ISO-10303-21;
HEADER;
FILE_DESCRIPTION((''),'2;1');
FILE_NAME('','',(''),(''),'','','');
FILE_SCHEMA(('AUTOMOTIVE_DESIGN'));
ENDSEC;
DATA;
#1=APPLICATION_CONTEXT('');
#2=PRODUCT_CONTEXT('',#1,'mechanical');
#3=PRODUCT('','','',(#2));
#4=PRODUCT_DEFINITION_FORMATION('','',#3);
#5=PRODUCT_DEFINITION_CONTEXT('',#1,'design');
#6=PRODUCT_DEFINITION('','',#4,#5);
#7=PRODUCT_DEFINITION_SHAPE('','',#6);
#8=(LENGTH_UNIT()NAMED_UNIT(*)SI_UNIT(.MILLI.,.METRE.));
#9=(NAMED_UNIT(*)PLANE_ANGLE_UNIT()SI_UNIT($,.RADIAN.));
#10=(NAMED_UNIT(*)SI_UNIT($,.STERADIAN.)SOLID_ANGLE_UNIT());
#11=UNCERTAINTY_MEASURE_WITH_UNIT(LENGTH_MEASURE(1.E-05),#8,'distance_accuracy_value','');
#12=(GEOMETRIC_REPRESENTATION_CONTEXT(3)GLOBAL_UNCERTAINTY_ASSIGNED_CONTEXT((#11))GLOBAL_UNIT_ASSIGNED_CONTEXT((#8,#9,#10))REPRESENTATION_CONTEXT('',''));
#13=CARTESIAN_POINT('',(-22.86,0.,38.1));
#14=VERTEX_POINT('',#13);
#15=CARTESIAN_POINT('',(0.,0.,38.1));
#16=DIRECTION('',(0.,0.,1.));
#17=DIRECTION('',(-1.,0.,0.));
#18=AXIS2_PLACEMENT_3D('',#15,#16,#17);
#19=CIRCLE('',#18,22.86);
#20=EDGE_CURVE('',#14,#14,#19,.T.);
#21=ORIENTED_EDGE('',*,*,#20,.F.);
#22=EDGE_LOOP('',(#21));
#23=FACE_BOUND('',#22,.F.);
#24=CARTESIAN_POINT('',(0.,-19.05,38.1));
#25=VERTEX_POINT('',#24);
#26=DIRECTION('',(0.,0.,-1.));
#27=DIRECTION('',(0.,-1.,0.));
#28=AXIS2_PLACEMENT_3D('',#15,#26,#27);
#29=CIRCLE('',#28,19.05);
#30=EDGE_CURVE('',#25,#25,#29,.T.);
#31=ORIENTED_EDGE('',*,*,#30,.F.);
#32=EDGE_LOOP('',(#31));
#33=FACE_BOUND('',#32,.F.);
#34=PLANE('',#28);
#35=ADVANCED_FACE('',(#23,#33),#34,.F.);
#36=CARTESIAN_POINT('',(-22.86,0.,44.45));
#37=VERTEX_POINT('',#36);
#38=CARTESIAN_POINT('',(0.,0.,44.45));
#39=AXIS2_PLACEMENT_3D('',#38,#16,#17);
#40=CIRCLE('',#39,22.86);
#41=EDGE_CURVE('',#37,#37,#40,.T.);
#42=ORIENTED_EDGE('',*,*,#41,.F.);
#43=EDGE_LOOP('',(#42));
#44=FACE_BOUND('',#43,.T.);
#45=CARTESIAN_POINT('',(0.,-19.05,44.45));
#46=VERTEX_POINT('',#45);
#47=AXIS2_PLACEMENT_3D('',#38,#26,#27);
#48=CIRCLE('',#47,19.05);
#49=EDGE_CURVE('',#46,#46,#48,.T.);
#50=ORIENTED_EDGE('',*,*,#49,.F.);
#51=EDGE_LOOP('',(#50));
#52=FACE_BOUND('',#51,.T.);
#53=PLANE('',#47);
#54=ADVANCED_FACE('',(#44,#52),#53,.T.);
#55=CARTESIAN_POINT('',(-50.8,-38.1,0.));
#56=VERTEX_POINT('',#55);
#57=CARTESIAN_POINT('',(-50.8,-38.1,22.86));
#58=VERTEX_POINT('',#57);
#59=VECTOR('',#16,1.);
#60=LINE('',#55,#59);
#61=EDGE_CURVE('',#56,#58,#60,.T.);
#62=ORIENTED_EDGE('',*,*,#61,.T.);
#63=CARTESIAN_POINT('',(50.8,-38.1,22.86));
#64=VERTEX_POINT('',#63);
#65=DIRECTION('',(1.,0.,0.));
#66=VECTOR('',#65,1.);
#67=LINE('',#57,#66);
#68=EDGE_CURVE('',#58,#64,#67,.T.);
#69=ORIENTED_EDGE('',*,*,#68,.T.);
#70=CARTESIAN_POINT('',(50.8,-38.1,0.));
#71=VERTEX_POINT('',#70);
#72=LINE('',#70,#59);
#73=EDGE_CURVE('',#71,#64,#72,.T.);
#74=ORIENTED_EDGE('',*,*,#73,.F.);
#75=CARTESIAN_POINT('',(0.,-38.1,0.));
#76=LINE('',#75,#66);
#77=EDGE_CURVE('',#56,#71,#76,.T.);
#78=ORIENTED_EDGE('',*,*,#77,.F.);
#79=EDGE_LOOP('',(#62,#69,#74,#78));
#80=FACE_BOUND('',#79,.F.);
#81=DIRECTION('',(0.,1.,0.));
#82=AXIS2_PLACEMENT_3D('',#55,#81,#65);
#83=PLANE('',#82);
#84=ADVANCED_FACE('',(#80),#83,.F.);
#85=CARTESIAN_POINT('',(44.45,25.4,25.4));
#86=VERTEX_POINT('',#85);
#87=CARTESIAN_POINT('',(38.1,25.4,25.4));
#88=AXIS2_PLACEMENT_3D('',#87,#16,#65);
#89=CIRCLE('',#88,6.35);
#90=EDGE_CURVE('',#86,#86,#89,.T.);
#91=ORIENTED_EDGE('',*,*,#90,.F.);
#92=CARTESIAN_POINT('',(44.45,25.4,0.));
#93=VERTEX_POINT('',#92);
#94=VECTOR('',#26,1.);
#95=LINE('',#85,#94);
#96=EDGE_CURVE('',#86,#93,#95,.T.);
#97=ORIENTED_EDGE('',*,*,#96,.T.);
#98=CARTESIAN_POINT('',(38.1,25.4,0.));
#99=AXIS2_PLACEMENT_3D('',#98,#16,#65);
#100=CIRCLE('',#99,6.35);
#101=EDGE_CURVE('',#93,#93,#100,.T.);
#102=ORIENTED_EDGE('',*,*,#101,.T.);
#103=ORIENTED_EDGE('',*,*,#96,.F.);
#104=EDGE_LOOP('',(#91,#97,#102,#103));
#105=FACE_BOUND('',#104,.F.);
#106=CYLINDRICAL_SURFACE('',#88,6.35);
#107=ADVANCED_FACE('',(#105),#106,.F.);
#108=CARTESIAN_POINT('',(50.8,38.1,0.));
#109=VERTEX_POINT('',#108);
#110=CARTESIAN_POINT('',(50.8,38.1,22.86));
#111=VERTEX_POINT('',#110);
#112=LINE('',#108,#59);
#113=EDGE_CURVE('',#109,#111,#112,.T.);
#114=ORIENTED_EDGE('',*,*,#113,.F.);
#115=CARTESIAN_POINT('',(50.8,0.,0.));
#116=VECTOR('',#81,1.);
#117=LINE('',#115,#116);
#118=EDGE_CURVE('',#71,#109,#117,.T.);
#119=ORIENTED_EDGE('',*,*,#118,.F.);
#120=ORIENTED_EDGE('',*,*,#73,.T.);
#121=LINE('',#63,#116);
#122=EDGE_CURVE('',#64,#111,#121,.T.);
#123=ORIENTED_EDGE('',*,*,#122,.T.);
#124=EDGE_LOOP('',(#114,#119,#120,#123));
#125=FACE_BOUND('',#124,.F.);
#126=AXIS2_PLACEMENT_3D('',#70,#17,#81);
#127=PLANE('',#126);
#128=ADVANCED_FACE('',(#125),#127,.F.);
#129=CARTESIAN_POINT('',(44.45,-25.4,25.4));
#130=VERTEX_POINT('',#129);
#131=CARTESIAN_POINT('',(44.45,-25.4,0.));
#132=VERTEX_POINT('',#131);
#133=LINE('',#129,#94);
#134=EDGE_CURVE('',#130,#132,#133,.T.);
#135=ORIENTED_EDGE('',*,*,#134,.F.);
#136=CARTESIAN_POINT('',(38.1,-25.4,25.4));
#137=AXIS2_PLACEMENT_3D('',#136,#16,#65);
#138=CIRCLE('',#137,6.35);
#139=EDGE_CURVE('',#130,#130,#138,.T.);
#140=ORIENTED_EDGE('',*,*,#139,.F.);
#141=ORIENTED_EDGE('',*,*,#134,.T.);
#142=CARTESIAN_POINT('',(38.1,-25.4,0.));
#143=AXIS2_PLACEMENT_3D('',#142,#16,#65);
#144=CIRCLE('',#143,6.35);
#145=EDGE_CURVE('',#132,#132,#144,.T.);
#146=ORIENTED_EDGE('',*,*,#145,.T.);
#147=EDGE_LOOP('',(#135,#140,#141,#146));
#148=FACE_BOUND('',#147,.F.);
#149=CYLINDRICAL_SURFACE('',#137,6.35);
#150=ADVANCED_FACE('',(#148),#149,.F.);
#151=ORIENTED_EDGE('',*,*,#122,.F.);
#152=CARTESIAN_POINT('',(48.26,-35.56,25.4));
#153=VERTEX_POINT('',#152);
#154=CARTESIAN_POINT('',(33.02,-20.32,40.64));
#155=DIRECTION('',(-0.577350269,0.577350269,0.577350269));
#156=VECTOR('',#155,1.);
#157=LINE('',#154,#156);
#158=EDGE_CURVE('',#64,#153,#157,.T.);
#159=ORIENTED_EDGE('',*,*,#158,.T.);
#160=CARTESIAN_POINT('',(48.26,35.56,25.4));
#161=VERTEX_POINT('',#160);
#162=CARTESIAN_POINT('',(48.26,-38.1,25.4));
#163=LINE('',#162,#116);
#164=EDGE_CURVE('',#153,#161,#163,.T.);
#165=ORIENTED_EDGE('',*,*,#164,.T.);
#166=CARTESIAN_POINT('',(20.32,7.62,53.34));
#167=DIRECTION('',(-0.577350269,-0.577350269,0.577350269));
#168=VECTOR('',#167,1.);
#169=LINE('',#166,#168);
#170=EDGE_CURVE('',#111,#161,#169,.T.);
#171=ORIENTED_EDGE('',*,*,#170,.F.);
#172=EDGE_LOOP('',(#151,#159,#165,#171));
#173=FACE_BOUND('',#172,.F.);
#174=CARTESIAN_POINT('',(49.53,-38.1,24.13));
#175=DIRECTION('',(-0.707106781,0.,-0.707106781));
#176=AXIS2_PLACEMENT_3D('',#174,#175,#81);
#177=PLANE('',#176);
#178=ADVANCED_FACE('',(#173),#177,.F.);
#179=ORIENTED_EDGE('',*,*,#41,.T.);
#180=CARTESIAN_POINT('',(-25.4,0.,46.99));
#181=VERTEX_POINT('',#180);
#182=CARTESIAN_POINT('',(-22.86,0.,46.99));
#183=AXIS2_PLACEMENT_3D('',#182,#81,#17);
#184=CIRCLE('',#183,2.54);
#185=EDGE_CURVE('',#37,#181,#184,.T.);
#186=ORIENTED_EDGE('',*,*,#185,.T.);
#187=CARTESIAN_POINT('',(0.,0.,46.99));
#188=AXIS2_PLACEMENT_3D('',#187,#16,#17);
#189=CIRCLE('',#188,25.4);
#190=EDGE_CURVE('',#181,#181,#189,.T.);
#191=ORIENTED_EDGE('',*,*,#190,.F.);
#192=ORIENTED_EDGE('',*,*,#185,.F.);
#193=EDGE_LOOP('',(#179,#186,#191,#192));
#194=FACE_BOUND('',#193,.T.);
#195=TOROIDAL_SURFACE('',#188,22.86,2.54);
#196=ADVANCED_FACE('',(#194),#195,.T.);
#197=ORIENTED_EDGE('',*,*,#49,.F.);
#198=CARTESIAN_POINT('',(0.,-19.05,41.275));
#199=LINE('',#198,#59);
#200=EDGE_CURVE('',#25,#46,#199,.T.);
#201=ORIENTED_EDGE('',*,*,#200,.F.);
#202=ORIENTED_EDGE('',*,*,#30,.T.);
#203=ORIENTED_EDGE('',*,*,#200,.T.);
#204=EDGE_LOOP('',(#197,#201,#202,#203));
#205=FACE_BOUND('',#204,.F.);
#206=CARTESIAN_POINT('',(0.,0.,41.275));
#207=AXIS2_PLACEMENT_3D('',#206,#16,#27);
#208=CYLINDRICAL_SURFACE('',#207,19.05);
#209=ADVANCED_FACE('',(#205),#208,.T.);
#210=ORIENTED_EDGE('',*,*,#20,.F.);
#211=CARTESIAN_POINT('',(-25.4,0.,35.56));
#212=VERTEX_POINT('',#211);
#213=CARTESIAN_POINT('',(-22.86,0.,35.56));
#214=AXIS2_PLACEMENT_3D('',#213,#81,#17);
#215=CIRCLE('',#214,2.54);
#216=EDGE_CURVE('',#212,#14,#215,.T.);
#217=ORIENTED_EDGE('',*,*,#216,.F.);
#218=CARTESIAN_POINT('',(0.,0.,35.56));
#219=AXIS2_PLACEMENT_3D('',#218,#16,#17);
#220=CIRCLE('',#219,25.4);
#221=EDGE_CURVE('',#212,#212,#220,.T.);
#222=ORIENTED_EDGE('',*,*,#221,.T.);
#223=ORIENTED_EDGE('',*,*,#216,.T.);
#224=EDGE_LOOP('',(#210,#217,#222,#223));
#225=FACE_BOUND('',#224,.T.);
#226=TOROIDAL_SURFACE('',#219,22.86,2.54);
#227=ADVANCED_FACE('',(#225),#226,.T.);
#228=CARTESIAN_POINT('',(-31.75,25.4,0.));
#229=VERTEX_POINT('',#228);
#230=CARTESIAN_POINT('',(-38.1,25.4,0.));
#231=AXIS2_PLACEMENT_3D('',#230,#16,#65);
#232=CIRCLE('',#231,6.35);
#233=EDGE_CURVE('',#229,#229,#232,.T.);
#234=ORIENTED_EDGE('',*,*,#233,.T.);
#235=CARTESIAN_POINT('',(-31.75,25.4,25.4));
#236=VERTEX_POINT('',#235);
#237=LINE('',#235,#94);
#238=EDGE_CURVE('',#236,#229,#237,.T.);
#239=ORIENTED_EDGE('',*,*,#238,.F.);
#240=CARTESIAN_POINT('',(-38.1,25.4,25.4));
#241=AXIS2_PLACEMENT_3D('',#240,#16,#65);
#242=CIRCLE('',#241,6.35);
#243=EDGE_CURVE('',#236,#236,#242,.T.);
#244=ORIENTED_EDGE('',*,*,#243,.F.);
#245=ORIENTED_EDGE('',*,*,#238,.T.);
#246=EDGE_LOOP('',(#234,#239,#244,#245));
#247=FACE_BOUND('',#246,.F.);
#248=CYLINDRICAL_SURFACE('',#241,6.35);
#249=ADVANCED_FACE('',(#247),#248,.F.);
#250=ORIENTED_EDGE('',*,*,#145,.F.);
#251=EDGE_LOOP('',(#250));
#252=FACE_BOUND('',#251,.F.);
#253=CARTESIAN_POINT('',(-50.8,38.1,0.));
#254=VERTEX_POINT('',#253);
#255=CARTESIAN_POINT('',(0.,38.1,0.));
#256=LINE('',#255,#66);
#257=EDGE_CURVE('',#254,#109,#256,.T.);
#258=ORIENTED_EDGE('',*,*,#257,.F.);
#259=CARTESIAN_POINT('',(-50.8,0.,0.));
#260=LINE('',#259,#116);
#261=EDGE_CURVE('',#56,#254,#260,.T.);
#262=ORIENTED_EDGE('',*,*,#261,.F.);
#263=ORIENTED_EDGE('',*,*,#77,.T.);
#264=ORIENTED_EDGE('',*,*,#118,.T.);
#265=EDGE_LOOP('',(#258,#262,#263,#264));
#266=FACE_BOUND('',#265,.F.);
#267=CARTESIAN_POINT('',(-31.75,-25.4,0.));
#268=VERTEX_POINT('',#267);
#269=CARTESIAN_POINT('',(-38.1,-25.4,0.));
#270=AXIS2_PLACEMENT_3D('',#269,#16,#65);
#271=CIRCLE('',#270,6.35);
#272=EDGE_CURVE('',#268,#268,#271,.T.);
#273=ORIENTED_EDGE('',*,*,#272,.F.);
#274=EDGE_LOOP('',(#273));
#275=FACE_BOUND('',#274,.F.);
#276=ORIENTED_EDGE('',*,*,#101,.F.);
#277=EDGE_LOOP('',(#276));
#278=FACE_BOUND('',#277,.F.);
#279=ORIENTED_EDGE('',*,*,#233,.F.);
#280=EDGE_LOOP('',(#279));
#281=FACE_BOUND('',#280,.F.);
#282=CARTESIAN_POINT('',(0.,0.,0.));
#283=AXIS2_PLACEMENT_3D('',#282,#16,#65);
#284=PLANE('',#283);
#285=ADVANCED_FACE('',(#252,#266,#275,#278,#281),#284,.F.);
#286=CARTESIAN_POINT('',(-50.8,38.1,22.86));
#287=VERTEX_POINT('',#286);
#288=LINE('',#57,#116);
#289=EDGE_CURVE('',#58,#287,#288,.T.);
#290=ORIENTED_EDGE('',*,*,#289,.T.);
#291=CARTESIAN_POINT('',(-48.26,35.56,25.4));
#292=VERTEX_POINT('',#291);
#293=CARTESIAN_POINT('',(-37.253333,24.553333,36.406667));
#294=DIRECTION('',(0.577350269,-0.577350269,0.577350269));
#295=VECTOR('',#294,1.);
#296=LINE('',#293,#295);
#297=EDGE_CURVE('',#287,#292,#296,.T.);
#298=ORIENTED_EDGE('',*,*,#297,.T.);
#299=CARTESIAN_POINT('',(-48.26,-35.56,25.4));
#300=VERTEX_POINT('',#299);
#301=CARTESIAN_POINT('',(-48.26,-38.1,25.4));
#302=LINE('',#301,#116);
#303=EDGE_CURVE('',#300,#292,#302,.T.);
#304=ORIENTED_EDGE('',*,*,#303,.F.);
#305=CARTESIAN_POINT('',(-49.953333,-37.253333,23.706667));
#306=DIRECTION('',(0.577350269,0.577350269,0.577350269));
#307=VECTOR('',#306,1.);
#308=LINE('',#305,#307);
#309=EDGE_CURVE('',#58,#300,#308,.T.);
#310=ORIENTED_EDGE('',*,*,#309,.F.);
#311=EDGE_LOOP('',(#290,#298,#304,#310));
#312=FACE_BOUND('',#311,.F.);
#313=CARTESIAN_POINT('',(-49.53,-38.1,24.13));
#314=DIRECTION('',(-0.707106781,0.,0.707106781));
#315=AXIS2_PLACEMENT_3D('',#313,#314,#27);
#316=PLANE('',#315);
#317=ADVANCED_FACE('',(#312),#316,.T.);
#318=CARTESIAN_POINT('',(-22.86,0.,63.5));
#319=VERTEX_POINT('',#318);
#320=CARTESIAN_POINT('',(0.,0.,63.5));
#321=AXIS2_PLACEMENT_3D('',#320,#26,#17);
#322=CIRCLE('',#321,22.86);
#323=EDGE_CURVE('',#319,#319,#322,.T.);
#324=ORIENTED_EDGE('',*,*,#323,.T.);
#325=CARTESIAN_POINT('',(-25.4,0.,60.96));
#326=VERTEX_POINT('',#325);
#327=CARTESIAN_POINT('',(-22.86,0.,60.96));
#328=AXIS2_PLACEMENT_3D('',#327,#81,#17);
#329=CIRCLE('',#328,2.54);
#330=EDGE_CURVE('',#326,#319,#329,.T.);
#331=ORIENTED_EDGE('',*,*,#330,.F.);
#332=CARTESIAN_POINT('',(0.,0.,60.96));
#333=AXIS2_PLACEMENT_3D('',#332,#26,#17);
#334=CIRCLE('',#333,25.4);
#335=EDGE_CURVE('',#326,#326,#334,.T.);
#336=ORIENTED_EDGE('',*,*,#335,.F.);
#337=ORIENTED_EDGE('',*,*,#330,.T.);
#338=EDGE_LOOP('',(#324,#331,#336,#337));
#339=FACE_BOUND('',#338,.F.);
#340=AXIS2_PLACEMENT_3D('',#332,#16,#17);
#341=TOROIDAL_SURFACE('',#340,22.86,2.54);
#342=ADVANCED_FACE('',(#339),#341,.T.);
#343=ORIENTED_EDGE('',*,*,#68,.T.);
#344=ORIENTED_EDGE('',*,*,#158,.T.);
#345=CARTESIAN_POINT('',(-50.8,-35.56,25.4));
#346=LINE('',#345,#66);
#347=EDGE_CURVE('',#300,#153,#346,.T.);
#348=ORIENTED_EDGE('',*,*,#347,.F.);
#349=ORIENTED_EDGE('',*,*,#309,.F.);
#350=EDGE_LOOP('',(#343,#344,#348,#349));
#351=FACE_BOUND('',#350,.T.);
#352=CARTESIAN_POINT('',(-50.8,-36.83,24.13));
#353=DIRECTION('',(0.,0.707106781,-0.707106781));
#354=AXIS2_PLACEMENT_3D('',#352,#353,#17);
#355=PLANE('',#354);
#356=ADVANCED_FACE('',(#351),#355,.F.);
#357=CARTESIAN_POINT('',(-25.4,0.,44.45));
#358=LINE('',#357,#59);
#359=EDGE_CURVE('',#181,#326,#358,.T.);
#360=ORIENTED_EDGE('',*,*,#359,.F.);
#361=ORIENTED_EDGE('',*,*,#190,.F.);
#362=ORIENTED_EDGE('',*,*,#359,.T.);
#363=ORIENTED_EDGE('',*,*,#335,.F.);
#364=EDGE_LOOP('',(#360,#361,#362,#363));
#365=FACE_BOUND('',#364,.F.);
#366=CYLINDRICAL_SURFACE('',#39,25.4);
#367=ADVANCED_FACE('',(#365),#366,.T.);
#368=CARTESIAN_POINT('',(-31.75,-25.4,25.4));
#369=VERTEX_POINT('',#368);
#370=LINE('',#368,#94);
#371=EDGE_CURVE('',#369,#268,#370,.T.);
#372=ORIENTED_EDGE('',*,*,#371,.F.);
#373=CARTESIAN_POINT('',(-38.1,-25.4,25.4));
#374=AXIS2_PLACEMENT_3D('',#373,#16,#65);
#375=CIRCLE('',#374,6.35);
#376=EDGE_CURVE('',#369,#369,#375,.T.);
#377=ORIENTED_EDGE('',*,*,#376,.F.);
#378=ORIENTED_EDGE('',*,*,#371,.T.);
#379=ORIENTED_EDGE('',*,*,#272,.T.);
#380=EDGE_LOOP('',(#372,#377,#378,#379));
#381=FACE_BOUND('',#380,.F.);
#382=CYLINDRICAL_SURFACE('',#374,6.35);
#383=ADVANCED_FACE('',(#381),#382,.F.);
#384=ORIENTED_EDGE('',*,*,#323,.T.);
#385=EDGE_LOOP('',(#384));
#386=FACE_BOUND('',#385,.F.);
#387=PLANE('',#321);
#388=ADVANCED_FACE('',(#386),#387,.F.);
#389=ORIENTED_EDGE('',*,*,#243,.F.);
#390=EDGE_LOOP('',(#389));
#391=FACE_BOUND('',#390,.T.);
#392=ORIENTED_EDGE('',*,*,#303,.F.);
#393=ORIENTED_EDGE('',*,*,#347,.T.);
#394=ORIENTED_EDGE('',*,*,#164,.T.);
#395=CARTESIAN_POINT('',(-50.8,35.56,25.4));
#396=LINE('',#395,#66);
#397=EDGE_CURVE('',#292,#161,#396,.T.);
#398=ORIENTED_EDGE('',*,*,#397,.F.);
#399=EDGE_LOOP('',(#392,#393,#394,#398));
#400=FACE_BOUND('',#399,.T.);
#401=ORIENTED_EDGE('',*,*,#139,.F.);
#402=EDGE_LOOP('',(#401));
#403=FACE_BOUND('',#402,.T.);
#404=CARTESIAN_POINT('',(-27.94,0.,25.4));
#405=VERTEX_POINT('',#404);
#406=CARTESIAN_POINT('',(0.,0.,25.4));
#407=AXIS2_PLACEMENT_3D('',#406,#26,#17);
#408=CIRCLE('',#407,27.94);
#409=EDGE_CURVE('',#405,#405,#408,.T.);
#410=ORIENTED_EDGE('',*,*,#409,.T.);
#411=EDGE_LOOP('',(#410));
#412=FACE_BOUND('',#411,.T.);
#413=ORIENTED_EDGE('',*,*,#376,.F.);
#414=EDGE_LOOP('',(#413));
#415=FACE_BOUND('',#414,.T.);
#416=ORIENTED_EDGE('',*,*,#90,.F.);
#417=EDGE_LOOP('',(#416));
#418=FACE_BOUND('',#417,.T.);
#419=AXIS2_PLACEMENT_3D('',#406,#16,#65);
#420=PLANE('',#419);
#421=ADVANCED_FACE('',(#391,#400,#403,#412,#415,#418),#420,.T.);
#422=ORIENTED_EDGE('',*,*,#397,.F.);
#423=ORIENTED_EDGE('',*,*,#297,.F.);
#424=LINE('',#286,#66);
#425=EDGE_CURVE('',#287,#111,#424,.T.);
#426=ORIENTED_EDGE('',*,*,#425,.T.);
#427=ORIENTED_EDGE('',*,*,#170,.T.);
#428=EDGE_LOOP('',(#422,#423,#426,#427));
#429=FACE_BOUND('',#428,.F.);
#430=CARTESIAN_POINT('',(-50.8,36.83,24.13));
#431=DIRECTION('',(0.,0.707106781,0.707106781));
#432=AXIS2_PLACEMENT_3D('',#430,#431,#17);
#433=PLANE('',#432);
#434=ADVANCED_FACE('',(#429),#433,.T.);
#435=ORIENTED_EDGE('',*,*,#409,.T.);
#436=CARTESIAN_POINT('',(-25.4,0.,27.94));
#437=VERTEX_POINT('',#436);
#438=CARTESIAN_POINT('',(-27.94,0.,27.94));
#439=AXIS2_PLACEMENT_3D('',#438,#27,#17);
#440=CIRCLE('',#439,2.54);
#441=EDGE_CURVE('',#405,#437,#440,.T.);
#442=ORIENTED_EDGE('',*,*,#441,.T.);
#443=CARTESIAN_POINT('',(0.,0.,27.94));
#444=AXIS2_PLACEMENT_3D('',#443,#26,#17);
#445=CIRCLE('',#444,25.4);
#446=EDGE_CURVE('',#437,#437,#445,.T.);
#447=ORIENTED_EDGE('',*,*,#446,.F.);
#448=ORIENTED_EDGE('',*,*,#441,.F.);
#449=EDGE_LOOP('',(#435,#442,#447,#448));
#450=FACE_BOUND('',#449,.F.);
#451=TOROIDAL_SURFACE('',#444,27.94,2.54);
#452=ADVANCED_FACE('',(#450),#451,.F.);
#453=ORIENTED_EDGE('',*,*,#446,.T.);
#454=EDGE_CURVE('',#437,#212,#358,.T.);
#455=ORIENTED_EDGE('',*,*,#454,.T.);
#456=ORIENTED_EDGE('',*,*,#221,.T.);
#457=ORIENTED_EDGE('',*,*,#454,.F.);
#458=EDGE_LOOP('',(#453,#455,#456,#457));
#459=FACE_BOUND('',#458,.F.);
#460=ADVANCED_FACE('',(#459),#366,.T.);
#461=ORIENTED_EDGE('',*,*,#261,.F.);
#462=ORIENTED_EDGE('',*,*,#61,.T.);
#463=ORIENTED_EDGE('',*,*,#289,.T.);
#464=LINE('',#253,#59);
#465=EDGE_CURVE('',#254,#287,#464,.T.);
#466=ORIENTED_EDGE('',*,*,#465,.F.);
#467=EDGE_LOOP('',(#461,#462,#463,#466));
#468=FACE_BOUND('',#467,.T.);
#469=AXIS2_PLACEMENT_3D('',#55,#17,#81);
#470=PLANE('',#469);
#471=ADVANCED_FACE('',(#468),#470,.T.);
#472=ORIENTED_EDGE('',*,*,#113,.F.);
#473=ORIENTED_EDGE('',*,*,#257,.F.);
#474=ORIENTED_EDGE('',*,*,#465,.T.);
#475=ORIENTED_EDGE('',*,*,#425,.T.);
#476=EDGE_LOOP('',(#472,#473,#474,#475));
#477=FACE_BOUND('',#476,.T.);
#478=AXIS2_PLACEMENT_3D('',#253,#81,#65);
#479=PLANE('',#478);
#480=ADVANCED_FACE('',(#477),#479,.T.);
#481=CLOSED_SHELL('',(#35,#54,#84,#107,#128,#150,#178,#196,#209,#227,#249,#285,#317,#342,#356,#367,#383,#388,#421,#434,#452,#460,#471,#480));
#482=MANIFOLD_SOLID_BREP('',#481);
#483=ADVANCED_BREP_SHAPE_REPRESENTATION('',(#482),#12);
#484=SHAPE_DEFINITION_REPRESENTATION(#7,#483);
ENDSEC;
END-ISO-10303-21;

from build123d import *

# Parameters (mm, degrees)
F0_W     = 101.6
F0_H     = 76.2
F1_DEPTH = 25.4
F2_R     = 6.35
F3_DEPTH = 25.4
F4_W     = 25.4
F4_H     = 38.1
F6_W     = 25.4
F6_H     = 6.35
F8_SIZE  = 2.54
F9_R     = 2.54


with BuildPart() as f1:
    # F0 (on Top) → F1 (new body)
    with BuildSketch(Plane.XY):
        Rectangle(F0_W, F0_H)
    extrude(amount=F1_DEPTH)

    # F2 (on face) → F3 (cut)
    with BuildSketch(Plane.XY.offset(25.4)):
        with Locations((-38.1, 25.4)):
            Circle(F2_R)
        with Locations((38.1, 25.4)):
            Circle(F2_R)
        with Locations((38.1, -25.4)):
            Circle(F2_R)
        with Locations((-38.1, -25.4)):
            Circle(F2_R)
    extrude(amount=-F3_DEPTH, mode=Mode.SUBTRACT)

    # F4 (on Front) → F5 (revolve)
    with BuildSketch(Plane.XZ):
        with Locations((-12.7, 44.45)):
            Rectangle(F4_W, F4_H)
    revolve(axis=Axis((0, 0, 44.45), (0, 0, -1)))

    # F6 (on Right) → F7 (revolve, cut)
    with BuildSketch(Plane.YZ):
        with Locations((-31.75, 41.275)):
            Rectangle(F6_W, F6_H)
    revolve(axis=Axis((0, 0, 63.5), (0, 0, -1)), mode=Mode.SUBTRACT)

    # F8
    f8_edges = [f1.edges().sort_by_distance(p)[0] for p in [
        (0, 38.1, 25.4),
        (-50.8, 0, 25.4),
        (0, -38.1, 25.4),
        (50.8, 0, 25.4),
    ]]
    chamfer(f8_edges, length=F8_SIZE)

    # F9
    f9_edges = [f1.edges().sort_by_distance(p)[0] for p in [
        (25.4, 0, 25.4),
        (25.4, 0, 38.1),
        (25.4, 0, 44.45),
        (25.4, 0, 63.5),
    ]]
    fillet(f9_edges, radius=F9_R)


solid = f1.part
